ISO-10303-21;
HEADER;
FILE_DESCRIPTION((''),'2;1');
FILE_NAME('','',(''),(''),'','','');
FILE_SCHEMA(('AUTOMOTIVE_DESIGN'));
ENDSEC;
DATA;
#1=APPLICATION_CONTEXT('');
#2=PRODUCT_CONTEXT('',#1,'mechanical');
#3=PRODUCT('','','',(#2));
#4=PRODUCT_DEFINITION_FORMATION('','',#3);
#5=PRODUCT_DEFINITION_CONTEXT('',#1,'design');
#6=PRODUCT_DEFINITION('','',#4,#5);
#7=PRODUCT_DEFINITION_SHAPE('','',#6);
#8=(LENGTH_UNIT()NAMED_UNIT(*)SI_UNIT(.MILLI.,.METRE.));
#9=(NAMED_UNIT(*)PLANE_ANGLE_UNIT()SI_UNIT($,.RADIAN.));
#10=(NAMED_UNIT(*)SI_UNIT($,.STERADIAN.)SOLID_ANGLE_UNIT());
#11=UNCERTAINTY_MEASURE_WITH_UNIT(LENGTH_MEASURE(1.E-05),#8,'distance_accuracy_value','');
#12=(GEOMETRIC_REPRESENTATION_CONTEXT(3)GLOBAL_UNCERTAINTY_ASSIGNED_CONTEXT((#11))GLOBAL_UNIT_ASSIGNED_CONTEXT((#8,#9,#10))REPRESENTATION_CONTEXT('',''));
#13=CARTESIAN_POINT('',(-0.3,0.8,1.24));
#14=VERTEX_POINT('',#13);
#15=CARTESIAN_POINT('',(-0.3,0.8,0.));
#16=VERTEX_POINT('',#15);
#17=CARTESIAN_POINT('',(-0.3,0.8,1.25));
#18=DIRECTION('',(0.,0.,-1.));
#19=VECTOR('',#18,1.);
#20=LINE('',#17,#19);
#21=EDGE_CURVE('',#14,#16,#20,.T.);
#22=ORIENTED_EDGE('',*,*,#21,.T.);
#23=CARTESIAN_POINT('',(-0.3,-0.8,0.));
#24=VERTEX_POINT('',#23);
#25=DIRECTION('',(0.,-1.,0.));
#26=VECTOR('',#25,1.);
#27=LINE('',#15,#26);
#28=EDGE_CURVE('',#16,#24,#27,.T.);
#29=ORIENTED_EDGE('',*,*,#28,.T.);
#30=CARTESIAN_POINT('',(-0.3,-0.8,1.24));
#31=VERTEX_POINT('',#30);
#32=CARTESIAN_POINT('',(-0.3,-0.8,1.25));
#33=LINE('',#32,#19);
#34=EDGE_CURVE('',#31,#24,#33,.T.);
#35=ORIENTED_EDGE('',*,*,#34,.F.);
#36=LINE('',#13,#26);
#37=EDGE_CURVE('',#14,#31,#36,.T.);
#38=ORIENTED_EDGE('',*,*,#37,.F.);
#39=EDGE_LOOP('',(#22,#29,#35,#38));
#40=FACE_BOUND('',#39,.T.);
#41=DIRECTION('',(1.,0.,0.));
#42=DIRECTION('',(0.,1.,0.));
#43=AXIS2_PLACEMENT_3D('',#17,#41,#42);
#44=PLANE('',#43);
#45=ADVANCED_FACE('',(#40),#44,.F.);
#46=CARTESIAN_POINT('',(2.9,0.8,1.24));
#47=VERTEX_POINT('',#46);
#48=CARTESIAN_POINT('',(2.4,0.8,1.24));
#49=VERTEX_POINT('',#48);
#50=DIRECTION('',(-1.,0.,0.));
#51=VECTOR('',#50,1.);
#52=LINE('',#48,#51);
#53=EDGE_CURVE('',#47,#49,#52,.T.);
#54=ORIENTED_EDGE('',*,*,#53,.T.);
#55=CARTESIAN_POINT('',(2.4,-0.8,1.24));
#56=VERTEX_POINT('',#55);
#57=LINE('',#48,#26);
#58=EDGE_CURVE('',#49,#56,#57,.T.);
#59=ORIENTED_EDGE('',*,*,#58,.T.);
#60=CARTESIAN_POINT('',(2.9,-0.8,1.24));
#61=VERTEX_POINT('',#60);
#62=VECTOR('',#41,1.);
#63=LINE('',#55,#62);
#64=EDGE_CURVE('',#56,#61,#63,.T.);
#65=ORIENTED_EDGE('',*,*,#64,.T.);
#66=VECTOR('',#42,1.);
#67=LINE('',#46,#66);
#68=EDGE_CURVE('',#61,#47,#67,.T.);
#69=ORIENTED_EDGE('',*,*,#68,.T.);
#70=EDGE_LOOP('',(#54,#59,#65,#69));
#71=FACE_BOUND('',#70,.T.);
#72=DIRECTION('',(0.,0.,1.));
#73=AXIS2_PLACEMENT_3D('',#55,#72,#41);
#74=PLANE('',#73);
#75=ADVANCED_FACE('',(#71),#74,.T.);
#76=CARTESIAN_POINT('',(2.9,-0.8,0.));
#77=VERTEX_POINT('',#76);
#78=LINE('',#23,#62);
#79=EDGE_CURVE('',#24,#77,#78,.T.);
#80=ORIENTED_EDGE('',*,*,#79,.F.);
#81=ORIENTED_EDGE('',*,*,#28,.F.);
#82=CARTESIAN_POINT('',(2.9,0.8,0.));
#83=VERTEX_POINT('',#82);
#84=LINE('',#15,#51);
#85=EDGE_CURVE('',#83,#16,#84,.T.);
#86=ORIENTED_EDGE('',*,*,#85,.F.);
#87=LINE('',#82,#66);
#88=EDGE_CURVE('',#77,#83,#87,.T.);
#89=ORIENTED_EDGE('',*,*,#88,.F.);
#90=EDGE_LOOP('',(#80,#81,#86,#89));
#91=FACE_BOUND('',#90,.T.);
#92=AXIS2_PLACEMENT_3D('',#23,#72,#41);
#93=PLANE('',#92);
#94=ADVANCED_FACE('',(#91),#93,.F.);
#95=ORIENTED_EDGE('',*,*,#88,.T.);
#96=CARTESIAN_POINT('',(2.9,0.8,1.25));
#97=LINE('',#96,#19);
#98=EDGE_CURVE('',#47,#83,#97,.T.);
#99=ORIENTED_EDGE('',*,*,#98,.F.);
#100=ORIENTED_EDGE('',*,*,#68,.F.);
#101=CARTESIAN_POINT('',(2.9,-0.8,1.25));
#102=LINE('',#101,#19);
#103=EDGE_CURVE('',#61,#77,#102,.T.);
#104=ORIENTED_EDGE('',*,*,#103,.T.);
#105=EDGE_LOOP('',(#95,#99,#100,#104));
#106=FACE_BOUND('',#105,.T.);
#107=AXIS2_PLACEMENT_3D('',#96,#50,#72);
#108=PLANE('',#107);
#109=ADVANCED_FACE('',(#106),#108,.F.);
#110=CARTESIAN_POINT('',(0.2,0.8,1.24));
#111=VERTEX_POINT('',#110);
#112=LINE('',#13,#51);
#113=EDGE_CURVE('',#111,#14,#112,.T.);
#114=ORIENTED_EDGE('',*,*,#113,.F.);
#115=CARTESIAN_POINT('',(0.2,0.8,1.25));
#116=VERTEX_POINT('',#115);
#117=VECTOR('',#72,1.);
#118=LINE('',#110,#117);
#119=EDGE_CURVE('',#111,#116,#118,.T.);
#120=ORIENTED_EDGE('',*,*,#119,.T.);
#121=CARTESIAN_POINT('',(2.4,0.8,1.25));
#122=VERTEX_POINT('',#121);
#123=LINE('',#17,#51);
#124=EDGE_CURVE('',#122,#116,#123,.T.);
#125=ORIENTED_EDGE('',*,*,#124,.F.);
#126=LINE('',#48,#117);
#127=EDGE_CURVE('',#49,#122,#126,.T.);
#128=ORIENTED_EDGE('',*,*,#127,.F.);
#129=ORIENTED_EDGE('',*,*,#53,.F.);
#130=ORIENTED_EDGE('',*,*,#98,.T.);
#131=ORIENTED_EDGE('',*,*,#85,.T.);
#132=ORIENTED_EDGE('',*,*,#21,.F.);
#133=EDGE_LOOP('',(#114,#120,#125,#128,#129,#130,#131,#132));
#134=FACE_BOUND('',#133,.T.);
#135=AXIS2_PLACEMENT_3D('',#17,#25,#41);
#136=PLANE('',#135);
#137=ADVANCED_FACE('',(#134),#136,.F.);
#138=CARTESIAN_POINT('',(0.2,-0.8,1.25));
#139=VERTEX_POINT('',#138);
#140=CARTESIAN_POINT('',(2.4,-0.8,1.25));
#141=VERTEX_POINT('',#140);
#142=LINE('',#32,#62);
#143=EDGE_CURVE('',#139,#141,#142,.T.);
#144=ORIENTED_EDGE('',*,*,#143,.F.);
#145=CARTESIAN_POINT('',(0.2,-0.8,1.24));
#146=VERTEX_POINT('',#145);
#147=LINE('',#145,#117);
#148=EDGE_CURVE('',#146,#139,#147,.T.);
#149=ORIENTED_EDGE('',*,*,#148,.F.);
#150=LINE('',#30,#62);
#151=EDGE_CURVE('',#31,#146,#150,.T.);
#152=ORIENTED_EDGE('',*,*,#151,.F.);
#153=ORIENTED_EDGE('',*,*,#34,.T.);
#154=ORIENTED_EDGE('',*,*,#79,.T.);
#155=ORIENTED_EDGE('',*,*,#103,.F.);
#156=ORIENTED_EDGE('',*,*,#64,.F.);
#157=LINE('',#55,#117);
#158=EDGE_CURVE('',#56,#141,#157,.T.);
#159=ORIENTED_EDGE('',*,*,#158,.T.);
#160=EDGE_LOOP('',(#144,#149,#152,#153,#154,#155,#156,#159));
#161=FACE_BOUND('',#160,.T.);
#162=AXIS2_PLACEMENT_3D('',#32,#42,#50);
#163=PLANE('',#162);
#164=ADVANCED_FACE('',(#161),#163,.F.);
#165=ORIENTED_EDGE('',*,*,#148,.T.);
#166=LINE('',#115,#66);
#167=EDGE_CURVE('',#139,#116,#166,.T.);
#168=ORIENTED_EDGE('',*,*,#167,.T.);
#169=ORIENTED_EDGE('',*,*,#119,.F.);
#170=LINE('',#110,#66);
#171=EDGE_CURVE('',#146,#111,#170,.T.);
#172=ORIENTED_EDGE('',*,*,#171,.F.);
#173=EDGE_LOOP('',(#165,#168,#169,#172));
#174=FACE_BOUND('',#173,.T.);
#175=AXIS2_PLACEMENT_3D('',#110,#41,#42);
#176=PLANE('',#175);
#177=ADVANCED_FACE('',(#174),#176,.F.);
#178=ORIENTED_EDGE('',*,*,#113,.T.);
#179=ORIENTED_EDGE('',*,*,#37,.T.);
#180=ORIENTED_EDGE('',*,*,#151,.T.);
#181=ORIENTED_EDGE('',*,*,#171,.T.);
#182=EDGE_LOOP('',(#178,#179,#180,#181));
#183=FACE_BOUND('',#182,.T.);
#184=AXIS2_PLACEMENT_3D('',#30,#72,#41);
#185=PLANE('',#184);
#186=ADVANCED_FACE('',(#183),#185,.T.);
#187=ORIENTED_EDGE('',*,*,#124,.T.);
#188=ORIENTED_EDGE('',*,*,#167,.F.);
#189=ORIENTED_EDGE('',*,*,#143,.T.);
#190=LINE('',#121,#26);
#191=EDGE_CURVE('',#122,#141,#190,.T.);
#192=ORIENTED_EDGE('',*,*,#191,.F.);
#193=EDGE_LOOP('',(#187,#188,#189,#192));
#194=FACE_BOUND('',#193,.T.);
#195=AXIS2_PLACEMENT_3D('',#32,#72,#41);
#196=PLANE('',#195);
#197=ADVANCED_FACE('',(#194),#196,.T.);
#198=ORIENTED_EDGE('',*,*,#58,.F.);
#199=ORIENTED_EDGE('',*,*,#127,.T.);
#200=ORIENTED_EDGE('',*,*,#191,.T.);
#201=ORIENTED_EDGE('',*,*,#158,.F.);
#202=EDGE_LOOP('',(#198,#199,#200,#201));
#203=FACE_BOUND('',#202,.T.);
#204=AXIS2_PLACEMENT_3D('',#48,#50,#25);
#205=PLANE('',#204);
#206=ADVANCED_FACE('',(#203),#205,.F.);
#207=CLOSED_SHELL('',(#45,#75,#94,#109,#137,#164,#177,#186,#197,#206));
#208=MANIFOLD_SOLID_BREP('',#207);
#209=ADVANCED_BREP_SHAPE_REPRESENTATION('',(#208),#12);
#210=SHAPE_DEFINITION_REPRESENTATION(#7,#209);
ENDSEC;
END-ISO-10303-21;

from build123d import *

# Parameters (mm, degrees)
SKETCH_2_W          = 3.2
SKETCH_2_H          = 1.6
EXTRUDE_1_DEPTH     = 1.25
SKETCH_3_W          = 0.5
SKETCH_3_H          = 1.6
CUT_EXTRUDE_1_DEPTH = 0.01


with BuildPart() as part:
    # Эскиз2 → Вытянуть1 (new body)
    with BuildSketch(Plane.XY):
        with Locations((1.3, 0)):
            Rectangle(SKETCH_2_W, SKETCH_2_H)
    extrude(amount=EXTRUDE_1_DEPTH)

    # Эскиз3 → Вырез-Вытянуть1 (cut)
    with BuildSketch(Plane.XY.offset(1.25)):
        with Locations((-0.05, 0)):
            Rectangle(SKETCH_3_W, SKETCH_3_H)
        with Locations((2.65, 0)):
            Rectangle(SKETCH_3_W, SKETCH_3_H)
    extrude(amount=-CUT_EXTRUDE_1_DEPTH, mode=Mode.SUBTRACT)


solid = part.part
